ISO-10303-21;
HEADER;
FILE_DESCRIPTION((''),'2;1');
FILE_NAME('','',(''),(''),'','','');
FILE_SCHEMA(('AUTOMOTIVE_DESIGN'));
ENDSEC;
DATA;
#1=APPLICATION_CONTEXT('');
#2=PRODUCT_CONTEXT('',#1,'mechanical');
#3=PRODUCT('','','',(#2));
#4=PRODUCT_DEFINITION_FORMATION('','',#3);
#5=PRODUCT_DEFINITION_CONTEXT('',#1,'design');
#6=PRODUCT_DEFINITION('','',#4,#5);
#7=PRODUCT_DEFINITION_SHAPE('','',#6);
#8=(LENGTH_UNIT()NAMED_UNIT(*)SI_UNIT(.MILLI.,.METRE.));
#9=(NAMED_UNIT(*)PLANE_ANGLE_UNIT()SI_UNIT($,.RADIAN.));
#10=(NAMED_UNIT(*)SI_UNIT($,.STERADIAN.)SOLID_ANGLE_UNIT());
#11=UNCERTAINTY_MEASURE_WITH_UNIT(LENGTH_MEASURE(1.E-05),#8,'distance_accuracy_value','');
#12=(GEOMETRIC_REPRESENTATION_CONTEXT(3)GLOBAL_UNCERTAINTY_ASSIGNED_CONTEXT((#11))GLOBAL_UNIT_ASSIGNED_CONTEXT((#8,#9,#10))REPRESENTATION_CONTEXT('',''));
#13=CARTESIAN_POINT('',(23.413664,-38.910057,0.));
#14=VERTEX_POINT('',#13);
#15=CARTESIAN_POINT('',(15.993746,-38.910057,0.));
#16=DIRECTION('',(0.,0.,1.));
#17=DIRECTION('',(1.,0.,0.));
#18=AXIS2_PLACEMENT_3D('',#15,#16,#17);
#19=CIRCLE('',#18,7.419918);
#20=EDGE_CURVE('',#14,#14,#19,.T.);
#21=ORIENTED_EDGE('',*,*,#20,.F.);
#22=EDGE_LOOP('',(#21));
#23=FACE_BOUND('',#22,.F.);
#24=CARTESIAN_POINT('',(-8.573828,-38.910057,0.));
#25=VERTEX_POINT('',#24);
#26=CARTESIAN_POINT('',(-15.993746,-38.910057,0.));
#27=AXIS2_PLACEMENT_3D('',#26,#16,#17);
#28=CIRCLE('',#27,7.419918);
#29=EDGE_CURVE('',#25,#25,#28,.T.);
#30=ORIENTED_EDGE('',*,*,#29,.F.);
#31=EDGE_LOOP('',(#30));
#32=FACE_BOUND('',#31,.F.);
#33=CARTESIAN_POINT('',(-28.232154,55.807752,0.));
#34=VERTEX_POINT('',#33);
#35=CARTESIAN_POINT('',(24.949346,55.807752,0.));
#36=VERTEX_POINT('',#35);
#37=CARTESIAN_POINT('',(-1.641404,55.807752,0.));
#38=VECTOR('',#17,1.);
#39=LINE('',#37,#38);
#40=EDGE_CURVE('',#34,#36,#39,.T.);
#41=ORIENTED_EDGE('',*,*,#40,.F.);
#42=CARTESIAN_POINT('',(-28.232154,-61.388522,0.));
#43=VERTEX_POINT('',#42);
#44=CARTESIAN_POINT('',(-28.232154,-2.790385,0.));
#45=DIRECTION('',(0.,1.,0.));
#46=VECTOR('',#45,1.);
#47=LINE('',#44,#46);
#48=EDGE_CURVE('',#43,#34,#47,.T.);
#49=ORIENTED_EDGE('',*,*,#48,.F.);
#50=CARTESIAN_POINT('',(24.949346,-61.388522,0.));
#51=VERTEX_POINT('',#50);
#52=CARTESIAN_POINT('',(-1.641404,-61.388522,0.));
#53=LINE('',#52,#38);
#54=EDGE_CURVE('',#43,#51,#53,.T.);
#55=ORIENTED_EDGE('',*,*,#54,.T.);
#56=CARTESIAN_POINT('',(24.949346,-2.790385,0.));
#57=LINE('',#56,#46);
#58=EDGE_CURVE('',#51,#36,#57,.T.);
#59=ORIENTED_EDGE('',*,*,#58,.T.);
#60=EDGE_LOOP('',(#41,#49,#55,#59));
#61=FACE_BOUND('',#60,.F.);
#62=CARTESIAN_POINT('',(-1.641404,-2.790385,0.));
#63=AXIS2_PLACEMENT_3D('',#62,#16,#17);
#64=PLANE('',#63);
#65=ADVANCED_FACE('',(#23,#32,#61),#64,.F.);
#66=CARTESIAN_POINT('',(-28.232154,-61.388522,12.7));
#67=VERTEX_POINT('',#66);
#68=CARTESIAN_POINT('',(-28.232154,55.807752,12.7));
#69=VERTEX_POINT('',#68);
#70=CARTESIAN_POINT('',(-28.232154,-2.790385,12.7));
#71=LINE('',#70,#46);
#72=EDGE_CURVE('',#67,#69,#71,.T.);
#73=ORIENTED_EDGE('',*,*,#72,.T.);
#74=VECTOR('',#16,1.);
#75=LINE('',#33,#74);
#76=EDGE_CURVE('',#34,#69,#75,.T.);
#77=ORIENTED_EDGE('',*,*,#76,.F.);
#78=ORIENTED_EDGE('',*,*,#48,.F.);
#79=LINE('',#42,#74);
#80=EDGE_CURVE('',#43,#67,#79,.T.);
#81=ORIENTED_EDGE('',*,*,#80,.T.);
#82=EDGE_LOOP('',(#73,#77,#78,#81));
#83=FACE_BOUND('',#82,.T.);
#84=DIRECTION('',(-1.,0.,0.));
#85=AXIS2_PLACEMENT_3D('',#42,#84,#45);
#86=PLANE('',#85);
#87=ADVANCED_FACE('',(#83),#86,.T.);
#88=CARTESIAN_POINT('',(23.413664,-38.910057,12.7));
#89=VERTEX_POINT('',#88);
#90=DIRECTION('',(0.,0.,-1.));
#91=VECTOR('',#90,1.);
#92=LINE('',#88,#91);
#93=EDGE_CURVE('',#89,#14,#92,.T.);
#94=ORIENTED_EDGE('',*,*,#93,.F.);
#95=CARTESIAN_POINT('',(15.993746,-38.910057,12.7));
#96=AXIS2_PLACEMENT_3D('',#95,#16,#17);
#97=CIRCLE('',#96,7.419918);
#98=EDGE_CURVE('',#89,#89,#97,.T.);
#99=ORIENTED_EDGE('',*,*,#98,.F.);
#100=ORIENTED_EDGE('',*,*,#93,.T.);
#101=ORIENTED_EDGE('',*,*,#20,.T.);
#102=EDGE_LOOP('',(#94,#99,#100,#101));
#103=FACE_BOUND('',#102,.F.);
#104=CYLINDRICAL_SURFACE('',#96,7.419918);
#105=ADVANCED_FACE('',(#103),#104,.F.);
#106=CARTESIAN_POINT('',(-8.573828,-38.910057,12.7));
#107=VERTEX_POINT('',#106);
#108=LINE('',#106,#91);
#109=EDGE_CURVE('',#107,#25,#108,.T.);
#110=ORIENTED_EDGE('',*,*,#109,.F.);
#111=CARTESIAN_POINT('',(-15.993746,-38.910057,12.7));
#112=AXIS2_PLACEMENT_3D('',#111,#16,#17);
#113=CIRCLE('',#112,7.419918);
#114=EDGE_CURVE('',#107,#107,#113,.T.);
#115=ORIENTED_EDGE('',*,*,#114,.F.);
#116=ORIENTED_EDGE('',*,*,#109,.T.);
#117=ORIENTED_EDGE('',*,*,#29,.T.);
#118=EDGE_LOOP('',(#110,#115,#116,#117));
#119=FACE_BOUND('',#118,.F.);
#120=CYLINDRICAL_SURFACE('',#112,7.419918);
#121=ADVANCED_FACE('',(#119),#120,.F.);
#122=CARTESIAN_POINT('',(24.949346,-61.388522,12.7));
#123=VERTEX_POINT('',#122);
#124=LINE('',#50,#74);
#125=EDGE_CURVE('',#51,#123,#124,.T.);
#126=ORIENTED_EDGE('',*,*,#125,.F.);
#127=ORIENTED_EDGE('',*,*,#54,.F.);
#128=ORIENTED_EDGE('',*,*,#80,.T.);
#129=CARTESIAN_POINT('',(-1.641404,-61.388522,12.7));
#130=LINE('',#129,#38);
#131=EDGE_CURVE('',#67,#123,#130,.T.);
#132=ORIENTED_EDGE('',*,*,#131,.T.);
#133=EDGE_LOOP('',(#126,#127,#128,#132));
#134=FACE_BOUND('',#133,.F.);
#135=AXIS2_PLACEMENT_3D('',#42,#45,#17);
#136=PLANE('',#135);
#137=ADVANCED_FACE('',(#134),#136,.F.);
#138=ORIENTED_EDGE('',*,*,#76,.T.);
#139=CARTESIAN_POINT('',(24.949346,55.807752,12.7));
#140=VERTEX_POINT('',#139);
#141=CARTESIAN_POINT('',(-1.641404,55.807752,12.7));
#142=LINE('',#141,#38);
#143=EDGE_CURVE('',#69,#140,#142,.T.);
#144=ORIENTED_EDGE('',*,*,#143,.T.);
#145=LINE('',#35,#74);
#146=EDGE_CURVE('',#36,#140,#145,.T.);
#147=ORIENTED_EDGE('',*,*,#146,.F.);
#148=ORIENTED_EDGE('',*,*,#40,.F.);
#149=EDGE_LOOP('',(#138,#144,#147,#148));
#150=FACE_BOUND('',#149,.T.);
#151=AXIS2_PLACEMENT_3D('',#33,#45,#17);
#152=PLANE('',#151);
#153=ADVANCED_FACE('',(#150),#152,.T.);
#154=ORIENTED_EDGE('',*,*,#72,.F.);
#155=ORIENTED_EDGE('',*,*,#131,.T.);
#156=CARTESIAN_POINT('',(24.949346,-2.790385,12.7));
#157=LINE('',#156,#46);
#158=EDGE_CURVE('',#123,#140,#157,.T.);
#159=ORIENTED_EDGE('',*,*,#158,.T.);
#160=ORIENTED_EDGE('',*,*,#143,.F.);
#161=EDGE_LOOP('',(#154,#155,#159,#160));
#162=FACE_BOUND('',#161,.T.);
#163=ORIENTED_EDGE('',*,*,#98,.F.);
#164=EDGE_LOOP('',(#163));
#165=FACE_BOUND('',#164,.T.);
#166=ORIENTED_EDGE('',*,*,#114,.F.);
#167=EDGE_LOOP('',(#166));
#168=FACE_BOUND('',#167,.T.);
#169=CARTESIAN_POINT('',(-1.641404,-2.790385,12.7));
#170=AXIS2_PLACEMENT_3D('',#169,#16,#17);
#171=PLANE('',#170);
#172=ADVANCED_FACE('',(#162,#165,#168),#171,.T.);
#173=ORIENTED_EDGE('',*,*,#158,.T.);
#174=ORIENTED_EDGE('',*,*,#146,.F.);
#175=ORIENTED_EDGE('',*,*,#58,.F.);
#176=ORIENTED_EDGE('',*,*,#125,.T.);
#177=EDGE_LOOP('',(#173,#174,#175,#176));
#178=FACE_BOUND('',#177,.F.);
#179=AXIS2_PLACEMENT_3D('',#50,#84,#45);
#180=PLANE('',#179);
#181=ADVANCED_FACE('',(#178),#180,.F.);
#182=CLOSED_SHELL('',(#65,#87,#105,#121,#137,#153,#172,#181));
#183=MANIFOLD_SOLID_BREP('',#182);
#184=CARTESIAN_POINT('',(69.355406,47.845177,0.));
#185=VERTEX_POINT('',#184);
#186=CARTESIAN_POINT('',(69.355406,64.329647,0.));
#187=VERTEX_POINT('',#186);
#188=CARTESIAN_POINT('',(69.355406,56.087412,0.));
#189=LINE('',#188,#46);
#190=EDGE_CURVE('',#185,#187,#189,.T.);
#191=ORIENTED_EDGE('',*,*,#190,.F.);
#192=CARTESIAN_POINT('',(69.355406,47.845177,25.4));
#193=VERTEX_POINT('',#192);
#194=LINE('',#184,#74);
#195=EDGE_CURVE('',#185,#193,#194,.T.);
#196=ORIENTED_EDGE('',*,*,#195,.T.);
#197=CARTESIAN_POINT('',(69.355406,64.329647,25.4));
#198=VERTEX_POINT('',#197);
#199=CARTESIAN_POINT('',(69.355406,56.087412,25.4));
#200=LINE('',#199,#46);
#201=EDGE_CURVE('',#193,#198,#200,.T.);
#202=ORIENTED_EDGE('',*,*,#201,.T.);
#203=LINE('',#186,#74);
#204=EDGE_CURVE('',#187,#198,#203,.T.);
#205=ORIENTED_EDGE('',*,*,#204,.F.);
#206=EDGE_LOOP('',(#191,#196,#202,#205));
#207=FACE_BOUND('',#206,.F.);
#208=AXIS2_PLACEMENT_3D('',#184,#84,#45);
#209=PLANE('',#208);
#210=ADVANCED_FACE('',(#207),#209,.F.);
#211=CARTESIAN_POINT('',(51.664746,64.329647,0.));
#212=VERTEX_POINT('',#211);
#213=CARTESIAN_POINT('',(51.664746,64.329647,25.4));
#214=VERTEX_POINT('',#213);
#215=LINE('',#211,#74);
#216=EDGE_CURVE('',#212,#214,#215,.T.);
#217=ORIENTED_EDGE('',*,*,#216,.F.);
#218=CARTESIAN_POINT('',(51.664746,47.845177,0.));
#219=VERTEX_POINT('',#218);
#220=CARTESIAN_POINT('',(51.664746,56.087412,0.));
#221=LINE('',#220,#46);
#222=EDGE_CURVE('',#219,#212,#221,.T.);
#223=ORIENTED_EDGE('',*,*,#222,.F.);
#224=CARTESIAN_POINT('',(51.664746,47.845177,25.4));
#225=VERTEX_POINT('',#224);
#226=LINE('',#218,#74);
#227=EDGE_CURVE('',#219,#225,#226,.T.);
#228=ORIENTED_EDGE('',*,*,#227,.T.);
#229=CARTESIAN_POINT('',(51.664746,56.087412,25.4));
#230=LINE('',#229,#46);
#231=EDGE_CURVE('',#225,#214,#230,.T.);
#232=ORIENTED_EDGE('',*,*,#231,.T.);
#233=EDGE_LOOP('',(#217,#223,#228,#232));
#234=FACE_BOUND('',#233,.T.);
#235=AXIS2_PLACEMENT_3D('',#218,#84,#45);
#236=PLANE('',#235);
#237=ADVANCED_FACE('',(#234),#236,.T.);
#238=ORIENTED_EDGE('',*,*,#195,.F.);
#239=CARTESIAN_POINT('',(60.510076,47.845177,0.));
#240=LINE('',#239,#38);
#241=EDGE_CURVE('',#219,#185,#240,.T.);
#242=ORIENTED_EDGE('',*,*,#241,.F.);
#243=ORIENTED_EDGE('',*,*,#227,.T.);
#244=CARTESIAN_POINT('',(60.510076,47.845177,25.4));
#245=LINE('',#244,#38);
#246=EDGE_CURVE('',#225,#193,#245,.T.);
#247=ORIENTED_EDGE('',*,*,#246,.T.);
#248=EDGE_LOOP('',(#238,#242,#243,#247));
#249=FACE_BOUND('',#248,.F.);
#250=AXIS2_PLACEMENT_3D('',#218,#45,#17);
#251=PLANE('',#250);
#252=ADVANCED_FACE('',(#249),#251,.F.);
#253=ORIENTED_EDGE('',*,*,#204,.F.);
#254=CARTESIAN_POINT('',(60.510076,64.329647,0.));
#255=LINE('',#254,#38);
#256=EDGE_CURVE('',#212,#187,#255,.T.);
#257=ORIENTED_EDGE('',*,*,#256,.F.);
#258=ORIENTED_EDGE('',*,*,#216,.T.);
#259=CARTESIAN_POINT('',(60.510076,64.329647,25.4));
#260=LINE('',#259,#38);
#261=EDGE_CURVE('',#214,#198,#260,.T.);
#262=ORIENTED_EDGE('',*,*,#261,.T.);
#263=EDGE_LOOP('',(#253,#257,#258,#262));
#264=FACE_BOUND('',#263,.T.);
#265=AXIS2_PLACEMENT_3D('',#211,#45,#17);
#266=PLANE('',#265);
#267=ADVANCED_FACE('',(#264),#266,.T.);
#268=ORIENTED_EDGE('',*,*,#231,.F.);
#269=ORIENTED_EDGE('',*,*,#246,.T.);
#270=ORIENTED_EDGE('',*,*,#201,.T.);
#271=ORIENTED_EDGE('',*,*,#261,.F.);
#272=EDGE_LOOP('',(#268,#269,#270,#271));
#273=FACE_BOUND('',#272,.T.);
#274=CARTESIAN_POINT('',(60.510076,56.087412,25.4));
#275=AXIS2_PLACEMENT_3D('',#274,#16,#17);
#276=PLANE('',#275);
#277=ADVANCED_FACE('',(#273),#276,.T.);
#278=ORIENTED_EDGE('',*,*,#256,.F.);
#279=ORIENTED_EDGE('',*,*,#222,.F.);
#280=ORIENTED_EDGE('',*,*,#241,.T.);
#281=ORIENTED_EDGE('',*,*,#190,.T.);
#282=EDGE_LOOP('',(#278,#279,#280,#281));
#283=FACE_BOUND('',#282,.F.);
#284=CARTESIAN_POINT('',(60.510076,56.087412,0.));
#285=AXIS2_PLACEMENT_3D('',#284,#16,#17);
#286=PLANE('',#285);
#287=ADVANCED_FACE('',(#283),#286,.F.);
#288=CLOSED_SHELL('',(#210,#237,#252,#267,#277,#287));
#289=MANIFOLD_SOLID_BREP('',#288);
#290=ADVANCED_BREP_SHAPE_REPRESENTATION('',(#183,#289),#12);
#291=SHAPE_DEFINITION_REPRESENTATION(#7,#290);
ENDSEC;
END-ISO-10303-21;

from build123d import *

# Parameters (mm, degrees)
F0_W     = 53.1815
F0_H     = 117.196273
F1_DEPTH = 12.7
F0_W_2   = 17.690659
F0_H_2   = 16.48447
F2_DEPTH = 25.4
F3_R     = 7.419918
F4_DEPTH = 37.084


with BuildPart() as f1:
    # F0 (on Top) → F1 (new body)
    with BuildSketch(Plane.XY):
        with Locations((-1.641404, -2.790385)):
            Rectangle(F0_W, F0_H)
    extrude(amount=F1_DEPTH)

    # F3 (on face) → F4 (cut)
    with BuildSketch(Plane.XY.offset(12.7)):
        with Locations((-15.993746, -38.910057)):
            Circle(F3_R)
        with Locations((15.993746, -38.910057)):
            Circle(F3_R)
    extrude(amount=-F4_DEPTH, mode=Mode.SUBTRACT)


with BuildPart() as f2:
    # F0 (on Top) → F2 (new body)
    with BuildSketch(Plane.XY):
        with Locations((60.510076, 56.087412)):
            Rectangle(F0_W_2, F0_H_2)
    extrude(amount=F2_DEPTH)


solid = Compound([f1.part, f2.part])
